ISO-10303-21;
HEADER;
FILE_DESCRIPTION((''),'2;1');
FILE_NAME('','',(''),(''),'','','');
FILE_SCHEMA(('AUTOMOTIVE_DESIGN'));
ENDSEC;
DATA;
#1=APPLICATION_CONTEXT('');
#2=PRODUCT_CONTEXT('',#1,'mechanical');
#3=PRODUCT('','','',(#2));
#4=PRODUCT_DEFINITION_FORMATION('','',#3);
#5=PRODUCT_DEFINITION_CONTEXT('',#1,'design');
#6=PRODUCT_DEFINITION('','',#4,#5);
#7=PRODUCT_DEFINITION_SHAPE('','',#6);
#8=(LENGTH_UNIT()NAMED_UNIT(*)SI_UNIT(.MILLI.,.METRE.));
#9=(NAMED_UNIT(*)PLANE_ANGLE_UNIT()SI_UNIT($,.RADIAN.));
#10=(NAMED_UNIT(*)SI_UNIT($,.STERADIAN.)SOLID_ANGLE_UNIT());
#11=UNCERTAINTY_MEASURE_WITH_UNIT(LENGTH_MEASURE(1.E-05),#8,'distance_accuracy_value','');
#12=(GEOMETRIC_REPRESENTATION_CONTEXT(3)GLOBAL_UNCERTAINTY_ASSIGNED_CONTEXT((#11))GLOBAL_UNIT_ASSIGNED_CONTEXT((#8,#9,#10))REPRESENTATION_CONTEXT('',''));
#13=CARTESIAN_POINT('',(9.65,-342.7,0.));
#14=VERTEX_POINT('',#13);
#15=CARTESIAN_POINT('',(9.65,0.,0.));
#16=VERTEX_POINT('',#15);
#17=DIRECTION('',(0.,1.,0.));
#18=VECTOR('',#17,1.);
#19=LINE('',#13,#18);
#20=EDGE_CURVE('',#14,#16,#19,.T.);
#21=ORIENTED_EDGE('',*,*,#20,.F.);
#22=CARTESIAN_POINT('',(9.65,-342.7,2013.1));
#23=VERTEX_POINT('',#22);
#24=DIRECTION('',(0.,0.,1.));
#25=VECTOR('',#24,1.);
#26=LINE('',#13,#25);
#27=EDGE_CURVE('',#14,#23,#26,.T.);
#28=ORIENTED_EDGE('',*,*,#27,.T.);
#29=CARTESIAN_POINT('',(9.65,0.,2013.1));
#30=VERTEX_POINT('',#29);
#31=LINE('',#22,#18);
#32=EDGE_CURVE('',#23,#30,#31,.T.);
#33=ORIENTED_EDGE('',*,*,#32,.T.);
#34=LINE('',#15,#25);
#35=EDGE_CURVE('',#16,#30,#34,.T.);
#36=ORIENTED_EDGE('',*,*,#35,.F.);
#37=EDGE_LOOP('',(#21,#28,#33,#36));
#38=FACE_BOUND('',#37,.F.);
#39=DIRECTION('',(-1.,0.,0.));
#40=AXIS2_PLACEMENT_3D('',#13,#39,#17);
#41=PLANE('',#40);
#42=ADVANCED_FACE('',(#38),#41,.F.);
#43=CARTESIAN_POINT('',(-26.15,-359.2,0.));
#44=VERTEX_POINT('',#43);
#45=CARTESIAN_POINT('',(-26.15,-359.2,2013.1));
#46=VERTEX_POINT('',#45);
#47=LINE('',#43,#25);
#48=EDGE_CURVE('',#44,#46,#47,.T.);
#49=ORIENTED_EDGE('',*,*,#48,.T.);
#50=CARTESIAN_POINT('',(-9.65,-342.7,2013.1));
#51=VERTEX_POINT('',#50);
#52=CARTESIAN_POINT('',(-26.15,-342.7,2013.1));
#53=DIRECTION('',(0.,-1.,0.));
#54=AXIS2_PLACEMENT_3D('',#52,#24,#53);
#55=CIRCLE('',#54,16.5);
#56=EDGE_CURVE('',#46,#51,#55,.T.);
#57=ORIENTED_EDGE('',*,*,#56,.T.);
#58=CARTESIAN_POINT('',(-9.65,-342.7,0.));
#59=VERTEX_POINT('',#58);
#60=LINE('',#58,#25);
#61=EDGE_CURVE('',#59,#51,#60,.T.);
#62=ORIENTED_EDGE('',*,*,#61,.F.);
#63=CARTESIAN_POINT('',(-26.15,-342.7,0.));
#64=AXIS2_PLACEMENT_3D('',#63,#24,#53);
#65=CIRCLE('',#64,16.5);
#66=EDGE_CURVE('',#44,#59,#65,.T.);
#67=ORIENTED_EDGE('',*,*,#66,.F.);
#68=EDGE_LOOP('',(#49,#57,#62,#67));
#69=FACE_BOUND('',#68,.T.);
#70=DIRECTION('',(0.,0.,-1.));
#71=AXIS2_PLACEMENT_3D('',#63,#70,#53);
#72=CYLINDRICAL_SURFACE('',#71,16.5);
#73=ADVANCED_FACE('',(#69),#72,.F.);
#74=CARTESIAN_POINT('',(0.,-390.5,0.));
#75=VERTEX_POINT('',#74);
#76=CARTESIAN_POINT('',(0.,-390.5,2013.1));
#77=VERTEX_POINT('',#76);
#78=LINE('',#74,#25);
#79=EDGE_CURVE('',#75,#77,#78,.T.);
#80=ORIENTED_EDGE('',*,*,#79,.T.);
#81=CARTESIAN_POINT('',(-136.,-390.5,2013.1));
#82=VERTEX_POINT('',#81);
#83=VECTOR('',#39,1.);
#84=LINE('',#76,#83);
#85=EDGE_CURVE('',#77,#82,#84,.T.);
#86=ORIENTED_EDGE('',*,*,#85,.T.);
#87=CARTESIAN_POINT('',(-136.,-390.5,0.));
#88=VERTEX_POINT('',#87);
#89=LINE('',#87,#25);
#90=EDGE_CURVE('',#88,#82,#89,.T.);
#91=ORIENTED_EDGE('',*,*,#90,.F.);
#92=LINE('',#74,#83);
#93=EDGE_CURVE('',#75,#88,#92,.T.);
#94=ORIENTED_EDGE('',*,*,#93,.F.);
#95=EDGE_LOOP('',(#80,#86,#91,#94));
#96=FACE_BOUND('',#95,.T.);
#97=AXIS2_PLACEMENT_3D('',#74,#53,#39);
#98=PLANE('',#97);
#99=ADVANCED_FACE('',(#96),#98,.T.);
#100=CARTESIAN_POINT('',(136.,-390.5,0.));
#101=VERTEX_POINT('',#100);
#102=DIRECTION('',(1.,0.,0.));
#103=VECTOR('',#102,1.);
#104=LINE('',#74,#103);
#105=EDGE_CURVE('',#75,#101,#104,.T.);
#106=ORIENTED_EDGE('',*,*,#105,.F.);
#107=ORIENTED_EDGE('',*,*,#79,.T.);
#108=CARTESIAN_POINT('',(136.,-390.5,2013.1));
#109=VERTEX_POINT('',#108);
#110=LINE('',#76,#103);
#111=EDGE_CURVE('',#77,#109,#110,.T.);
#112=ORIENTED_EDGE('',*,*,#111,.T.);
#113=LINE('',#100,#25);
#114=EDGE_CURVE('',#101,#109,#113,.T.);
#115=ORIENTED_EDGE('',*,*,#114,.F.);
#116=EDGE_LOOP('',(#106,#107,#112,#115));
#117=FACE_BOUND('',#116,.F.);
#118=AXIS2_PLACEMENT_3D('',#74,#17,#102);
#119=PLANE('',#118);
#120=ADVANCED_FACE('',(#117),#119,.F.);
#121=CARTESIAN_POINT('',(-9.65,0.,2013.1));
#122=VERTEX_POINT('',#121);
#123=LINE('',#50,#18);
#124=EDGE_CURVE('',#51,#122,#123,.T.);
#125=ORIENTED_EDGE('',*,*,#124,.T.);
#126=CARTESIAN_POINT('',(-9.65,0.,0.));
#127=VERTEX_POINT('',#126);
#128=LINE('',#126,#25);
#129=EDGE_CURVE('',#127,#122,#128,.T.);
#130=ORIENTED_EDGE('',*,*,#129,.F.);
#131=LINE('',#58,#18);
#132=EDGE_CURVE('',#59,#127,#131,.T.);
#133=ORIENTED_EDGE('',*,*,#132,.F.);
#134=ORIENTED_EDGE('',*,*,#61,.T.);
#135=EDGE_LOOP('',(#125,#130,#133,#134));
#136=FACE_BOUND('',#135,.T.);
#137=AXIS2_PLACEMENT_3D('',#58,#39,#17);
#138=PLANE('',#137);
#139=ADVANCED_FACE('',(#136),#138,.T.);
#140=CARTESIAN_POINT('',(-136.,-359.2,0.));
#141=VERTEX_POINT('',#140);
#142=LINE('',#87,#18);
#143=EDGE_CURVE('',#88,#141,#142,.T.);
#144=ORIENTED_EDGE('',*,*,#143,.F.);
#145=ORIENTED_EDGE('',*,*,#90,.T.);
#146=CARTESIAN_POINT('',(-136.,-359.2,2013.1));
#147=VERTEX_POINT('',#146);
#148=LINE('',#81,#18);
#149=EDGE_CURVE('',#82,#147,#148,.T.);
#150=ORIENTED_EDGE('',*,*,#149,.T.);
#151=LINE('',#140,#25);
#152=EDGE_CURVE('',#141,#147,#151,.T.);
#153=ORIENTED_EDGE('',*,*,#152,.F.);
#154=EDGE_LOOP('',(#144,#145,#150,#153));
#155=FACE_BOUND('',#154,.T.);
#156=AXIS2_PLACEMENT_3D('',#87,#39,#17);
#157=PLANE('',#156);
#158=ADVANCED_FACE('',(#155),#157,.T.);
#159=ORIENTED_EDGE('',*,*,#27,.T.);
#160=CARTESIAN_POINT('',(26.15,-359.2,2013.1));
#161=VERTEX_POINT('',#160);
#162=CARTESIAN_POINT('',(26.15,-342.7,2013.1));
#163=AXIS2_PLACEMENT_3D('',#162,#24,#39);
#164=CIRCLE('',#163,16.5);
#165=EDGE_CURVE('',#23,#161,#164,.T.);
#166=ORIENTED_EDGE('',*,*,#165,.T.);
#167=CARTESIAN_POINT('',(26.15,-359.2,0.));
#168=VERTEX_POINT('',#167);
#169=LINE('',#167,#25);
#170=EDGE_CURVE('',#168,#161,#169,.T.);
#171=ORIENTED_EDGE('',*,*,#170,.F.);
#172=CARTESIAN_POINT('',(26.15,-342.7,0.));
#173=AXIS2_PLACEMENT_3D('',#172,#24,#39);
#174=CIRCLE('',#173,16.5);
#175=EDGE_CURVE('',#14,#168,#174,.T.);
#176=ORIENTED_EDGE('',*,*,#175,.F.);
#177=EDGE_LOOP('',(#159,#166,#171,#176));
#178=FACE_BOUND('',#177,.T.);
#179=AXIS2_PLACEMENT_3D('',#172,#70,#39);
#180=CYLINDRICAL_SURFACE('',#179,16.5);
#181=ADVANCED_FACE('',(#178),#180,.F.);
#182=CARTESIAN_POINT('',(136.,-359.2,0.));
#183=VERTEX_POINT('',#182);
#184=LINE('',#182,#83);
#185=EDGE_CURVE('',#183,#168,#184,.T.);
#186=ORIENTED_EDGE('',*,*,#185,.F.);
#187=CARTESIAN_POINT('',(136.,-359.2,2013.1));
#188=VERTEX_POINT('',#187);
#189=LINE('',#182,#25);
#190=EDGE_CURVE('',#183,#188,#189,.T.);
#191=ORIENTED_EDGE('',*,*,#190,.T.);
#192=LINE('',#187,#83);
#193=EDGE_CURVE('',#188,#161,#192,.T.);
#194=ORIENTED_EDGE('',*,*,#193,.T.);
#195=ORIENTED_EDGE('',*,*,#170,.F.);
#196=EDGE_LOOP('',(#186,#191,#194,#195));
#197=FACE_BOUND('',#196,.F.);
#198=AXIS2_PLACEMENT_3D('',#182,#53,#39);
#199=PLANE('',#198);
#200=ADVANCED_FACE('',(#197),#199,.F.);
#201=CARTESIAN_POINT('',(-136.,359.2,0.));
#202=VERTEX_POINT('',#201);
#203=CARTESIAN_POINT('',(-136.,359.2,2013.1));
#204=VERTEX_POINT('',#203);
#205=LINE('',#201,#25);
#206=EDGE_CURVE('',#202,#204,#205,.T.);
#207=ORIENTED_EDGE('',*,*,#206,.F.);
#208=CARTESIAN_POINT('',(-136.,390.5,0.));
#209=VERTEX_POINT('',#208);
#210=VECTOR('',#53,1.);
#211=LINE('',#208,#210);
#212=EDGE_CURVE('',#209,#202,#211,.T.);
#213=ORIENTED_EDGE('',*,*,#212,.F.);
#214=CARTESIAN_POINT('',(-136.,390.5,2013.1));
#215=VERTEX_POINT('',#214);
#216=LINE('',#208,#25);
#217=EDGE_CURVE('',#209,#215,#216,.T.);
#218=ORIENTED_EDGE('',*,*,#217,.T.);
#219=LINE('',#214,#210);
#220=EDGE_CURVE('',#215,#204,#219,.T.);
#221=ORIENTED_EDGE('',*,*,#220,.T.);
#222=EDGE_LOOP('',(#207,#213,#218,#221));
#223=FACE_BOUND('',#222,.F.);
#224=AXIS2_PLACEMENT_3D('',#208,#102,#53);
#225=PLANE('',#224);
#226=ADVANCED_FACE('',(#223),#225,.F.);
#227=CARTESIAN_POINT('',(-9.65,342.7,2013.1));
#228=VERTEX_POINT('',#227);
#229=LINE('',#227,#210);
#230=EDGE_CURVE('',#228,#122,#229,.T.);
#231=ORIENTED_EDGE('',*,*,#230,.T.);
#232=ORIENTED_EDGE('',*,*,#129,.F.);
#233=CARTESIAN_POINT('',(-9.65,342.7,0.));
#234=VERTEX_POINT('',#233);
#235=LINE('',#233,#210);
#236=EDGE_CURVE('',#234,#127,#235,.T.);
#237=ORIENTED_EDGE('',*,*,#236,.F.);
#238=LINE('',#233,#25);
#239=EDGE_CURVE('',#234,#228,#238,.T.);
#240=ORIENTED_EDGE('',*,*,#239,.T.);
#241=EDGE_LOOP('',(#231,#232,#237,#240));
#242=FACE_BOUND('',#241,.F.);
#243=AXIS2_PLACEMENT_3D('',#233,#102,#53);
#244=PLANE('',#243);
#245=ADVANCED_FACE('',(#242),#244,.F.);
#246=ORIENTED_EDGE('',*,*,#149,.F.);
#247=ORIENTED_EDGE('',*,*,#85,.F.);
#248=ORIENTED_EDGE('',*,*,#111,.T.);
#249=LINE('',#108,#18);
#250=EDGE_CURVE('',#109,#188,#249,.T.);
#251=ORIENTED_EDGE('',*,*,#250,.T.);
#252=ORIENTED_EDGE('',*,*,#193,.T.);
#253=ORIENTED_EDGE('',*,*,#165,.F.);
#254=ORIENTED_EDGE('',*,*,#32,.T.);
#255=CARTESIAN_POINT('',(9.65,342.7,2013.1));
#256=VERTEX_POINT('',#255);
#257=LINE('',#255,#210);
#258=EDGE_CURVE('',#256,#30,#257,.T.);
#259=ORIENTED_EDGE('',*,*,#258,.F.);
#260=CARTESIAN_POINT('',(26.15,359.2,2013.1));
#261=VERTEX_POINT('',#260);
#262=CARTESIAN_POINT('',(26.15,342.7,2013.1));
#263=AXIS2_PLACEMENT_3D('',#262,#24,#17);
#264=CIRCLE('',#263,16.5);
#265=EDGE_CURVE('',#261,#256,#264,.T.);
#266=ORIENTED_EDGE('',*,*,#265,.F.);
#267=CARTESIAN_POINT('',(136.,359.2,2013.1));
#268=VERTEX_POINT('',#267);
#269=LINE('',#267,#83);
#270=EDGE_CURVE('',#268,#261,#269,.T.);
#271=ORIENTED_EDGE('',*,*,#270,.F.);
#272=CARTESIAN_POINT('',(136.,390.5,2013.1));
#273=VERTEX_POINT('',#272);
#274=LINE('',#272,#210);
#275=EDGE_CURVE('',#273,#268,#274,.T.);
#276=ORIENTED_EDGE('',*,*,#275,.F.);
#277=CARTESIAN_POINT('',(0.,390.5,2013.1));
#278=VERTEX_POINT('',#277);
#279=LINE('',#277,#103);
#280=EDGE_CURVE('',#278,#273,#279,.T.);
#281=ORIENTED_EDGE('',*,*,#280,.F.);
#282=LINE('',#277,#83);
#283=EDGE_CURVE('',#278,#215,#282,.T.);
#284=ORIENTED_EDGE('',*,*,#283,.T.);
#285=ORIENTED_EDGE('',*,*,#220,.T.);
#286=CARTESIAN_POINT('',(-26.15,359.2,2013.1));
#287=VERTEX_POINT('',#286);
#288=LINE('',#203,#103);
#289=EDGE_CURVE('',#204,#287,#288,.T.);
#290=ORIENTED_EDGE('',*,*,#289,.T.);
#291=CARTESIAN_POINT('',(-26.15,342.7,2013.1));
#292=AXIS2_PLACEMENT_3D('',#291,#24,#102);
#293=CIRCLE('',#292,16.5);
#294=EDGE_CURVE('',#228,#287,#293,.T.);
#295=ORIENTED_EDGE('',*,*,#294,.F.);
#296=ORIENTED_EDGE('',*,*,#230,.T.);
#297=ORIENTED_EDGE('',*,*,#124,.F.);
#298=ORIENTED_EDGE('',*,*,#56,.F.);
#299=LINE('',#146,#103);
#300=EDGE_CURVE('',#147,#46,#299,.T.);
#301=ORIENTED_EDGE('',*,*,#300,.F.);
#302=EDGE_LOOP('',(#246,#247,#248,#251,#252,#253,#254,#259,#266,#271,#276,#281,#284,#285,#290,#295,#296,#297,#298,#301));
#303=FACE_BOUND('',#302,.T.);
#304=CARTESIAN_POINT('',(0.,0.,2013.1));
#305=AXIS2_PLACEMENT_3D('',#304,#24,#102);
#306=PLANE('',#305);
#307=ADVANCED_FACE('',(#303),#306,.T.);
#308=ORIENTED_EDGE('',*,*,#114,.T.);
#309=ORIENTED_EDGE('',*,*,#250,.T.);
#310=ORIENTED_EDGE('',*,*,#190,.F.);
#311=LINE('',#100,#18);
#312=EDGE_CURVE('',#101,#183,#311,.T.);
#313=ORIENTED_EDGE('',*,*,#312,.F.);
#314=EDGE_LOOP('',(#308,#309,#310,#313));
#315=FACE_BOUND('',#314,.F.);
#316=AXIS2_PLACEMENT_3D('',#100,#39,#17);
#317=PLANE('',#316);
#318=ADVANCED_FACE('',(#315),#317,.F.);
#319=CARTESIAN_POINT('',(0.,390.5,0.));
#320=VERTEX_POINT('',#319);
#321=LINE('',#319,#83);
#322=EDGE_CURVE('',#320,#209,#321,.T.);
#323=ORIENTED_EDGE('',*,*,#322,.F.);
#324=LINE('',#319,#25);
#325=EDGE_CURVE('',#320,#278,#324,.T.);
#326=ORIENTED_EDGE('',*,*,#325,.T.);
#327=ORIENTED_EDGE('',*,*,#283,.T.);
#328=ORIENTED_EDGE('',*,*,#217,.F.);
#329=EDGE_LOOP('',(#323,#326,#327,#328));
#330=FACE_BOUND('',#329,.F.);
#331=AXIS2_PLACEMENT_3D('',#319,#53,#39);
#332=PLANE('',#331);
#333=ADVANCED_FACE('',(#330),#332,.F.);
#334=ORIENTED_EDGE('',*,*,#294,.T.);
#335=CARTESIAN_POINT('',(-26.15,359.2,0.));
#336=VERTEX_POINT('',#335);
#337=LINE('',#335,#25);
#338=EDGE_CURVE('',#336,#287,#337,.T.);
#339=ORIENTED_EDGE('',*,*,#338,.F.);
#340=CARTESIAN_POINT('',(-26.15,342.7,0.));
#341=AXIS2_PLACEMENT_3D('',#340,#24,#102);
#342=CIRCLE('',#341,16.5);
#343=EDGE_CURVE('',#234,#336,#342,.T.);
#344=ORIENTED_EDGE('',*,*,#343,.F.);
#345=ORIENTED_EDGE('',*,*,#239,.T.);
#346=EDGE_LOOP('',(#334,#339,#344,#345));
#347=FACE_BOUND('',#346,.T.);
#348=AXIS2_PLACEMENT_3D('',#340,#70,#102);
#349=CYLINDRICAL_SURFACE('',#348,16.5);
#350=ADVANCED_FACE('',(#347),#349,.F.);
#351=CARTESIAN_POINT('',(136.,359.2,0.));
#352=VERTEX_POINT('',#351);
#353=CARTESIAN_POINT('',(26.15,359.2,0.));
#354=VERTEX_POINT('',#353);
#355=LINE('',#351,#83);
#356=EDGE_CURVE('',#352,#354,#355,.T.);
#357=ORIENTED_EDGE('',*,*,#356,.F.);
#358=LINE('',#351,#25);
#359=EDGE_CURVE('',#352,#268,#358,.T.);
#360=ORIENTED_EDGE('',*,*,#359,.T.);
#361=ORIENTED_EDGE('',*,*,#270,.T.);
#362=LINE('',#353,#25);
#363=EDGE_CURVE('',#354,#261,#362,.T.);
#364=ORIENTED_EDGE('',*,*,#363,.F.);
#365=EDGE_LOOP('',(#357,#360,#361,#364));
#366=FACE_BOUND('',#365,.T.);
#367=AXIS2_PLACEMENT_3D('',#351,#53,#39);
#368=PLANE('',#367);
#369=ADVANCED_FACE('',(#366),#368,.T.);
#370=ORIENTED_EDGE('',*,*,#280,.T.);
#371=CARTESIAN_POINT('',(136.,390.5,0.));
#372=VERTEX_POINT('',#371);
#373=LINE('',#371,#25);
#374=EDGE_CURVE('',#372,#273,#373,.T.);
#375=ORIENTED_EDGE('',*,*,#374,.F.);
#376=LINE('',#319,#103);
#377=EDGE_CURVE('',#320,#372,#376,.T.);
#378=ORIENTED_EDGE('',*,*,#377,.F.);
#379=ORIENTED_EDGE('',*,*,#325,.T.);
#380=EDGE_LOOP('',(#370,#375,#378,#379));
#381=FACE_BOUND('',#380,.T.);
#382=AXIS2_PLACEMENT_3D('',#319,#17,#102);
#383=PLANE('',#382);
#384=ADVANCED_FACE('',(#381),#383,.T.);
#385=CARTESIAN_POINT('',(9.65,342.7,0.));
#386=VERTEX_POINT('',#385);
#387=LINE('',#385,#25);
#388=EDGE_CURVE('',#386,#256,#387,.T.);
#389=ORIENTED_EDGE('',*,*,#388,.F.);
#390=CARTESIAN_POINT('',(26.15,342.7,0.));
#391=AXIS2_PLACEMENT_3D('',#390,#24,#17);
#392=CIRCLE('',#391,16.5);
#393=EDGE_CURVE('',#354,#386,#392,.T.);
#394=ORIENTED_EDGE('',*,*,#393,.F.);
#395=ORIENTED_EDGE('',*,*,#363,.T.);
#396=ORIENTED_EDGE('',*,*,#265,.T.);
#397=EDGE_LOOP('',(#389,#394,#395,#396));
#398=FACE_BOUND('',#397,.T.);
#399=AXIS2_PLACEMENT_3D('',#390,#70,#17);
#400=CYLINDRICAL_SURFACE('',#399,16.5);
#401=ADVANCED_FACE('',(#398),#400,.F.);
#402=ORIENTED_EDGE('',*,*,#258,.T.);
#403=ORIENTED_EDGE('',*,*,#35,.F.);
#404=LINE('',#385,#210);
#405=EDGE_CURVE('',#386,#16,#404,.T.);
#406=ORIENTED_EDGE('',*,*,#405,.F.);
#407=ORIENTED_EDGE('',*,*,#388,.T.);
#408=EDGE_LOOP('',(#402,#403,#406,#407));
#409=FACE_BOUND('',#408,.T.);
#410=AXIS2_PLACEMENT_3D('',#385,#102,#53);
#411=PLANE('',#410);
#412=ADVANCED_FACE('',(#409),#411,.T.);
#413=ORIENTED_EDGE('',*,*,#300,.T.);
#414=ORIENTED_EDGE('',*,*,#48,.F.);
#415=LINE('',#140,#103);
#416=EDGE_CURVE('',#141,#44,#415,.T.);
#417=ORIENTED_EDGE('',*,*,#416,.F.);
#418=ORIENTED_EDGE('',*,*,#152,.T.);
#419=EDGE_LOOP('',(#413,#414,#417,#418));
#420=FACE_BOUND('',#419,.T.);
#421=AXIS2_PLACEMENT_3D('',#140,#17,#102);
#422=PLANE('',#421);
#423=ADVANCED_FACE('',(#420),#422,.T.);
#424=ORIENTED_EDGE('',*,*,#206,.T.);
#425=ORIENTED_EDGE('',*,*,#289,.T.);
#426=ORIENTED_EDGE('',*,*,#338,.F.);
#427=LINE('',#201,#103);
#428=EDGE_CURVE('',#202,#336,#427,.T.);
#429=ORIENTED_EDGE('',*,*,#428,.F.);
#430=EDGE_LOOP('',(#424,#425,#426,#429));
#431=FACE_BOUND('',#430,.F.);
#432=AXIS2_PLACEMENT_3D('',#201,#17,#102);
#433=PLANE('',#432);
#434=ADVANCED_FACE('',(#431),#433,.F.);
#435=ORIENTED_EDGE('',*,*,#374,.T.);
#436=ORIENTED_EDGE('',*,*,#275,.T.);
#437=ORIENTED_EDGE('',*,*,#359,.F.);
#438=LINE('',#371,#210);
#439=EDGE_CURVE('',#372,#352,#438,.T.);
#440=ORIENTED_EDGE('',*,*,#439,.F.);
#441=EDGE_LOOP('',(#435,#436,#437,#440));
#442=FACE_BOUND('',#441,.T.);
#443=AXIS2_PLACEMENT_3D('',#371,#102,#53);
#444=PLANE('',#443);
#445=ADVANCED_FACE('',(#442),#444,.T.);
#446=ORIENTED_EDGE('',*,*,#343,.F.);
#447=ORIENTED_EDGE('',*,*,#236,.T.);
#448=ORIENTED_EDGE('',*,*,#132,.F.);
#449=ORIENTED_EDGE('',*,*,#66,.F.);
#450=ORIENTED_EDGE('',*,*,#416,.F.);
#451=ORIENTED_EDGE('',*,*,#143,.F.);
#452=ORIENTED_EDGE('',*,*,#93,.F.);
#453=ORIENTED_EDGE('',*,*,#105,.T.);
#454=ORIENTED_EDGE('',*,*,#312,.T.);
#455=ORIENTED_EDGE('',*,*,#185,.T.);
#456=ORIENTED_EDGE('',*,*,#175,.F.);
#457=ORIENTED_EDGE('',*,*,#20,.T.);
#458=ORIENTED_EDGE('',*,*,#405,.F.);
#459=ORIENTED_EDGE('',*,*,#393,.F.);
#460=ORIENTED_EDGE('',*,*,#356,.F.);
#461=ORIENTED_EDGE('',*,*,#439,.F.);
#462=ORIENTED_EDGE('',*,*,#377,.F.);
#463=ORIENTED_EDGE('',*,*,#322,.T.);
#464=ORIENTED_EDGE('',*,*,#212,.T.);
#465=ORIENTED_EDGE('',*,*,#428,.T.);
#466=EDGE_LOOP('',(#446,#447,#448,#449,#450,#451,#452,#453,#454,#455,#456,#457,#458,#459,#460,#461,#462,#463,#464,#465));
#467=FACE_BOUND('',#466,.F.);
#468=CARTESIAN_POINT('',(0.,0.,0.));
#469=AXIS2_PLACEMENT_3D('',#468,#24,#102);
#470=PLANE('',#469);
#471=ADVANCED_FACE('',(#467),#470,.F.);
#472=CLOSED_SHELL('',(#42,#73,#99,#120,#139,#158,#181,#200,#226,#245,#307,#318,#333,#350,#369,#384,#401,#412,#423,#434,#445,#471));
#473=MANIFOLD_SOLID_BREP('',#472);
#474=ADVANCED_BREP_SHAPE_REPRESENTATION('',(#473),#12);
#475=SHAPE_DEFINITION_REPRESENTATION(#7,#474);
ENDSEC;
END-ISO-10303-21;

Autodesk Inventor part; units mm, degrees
ref_plane "YZ Plane" through (0, 0, 0) normal (1, 0, 0) x (0, 1, 0)
ref_plane "Start plane" through (0, 0, 0) normal (0, 0, 1) x (1, 0, 0)
ref_plane "End plane" through (0, 0, 2013.1) normal (0, 0, 1) x (1, 0, 0)
sketch "Sketch" plane through (0, 0, 0) normal (0, 0, 1) x (1, 0, 0)
  line L0 (-136, -390.5) -> (-136, -359.2)
  line L1 (-136, -359.2) -> (-26.15, -359.2)
  line L2 (-9.65, -342.7) -> (-9.65, 0)
  line L3 (-9.65, 0) -> (0, 0) construction
  line L4 (0, 0) -> (0, -390.5) construction
  line L5 (0, -390.5) -> (-136, -390.5)
  line L6 (-60, 0) -> (80, 0) construction
  line L7 (0, -60) -> (0, 80) construction
  line L8 (136, -390.5) -> (136, -359.2)
  line L9 (136, -359.2) -> (26.15, -359.2)
  line L10 (9.65, -342.7) -> (9.65, 0)
  line L11 (9.65, 0) -> (0, 0) construction
  line L12 (0, -390.5) -> (136, -390.5)
  line L13 (-136, 390.5) -> (-136, 359.2)
  line L14 (-136, 359.2) -> (-26.15, 359.2)
  line L15 (-9.65, 342.7) -> (-9.65, 0)
  line L16 (0, 390.5) -> (-136, 390.5)
  line L17 (136, 390.5) -> (136, 359.2)
  line L18 (136, 359.2) -> (26.15, 359.2)
  line L19 (0, 390.5) -> (136, 390.5)
  line L20 (9.65, 342.7) -> (9.65, 0)
  arc A0 (-9.65, 342.7) -> (-26.15, 359.2) centre (-26.15, 342.7) ccw
  arc A1 (26.15, 359.2) -> (9.65, 342.7) centre (26.15, 342.7) ccw
  arc A2 (9.65, -342.7) -> (26.15, -359.2) centre (26.15, -342.7) ccw
  arc A3 (-26.15, -359.2) -> (-9.65, -342.7) centre (-26.15, -342.7) ccw
  line L21 (0, 108) -> (0, -88) construction
  line L22 (-88, 0) -> (108, 0) construction
  point P0 (-9.65, -359.2)
  point P1 (9.65, -359.2)
  point P2 (-9.65, 359.2)
  point P3 (9.65, 359.2)
  dimension "d1" = 390.5
  dimension "d2" = 31.3
  dimension "d3" = 136
  dimension "d4" = 9.65
  dimension "d10" = 16.5
extrude "Body" add sketch "Sketch" along normal up to surface (2013.1 mm away) from surface at 0
sketch "Sketch4" plane through (0, 0, 0) normal (0, 0, 1) x (1, 0, 0)
  line L0 (0, 0) -> (10, 0)
ref_plane "Work Plane3" through (0, 0, 0) normal (0, -1, 0) x (1, 0, 0)
sketch "Sketch5" plane through (0, 0, 0) normal (0, -1, 0) x (1, 0, 0)
  line L0 (-2, 0) -> (12, 0) projected
  line L1 (-2, 2013.1) -> (12, 2013.1) projected
  dimension "d14" = 2013.1
equation "\"d1\" = 0.5 * G_H"
equation "\"d2\" = G_T1"
equation "\"d3\" = 0.5 * G_W"
equation "\"d4\" = 0.5 * G_T"
equation "\"d10\" = G_IR"
equation "\"d5\" = G_L"
equation "\"G_W\" = 272"
equation "\"G_H\" = 781"
equation "\"G_T\" = 19.3"
equation "\"G_T1\" = 31.3"
equation "\"G_IR\" = 16.5"
equation "\"G_L\" = d14"
equation "\"G_OFFSET_START\" = 0"
equation "\"G_OFFSET_END\" = 0"
equation "\"d12\" = G_OFFSET_END + B_L"
equation "\"B_L\" = 2013.1"
properties part number "AS 3679-1990 - 760 UB - 244 - 2013.1" material "Steel, Mild"
